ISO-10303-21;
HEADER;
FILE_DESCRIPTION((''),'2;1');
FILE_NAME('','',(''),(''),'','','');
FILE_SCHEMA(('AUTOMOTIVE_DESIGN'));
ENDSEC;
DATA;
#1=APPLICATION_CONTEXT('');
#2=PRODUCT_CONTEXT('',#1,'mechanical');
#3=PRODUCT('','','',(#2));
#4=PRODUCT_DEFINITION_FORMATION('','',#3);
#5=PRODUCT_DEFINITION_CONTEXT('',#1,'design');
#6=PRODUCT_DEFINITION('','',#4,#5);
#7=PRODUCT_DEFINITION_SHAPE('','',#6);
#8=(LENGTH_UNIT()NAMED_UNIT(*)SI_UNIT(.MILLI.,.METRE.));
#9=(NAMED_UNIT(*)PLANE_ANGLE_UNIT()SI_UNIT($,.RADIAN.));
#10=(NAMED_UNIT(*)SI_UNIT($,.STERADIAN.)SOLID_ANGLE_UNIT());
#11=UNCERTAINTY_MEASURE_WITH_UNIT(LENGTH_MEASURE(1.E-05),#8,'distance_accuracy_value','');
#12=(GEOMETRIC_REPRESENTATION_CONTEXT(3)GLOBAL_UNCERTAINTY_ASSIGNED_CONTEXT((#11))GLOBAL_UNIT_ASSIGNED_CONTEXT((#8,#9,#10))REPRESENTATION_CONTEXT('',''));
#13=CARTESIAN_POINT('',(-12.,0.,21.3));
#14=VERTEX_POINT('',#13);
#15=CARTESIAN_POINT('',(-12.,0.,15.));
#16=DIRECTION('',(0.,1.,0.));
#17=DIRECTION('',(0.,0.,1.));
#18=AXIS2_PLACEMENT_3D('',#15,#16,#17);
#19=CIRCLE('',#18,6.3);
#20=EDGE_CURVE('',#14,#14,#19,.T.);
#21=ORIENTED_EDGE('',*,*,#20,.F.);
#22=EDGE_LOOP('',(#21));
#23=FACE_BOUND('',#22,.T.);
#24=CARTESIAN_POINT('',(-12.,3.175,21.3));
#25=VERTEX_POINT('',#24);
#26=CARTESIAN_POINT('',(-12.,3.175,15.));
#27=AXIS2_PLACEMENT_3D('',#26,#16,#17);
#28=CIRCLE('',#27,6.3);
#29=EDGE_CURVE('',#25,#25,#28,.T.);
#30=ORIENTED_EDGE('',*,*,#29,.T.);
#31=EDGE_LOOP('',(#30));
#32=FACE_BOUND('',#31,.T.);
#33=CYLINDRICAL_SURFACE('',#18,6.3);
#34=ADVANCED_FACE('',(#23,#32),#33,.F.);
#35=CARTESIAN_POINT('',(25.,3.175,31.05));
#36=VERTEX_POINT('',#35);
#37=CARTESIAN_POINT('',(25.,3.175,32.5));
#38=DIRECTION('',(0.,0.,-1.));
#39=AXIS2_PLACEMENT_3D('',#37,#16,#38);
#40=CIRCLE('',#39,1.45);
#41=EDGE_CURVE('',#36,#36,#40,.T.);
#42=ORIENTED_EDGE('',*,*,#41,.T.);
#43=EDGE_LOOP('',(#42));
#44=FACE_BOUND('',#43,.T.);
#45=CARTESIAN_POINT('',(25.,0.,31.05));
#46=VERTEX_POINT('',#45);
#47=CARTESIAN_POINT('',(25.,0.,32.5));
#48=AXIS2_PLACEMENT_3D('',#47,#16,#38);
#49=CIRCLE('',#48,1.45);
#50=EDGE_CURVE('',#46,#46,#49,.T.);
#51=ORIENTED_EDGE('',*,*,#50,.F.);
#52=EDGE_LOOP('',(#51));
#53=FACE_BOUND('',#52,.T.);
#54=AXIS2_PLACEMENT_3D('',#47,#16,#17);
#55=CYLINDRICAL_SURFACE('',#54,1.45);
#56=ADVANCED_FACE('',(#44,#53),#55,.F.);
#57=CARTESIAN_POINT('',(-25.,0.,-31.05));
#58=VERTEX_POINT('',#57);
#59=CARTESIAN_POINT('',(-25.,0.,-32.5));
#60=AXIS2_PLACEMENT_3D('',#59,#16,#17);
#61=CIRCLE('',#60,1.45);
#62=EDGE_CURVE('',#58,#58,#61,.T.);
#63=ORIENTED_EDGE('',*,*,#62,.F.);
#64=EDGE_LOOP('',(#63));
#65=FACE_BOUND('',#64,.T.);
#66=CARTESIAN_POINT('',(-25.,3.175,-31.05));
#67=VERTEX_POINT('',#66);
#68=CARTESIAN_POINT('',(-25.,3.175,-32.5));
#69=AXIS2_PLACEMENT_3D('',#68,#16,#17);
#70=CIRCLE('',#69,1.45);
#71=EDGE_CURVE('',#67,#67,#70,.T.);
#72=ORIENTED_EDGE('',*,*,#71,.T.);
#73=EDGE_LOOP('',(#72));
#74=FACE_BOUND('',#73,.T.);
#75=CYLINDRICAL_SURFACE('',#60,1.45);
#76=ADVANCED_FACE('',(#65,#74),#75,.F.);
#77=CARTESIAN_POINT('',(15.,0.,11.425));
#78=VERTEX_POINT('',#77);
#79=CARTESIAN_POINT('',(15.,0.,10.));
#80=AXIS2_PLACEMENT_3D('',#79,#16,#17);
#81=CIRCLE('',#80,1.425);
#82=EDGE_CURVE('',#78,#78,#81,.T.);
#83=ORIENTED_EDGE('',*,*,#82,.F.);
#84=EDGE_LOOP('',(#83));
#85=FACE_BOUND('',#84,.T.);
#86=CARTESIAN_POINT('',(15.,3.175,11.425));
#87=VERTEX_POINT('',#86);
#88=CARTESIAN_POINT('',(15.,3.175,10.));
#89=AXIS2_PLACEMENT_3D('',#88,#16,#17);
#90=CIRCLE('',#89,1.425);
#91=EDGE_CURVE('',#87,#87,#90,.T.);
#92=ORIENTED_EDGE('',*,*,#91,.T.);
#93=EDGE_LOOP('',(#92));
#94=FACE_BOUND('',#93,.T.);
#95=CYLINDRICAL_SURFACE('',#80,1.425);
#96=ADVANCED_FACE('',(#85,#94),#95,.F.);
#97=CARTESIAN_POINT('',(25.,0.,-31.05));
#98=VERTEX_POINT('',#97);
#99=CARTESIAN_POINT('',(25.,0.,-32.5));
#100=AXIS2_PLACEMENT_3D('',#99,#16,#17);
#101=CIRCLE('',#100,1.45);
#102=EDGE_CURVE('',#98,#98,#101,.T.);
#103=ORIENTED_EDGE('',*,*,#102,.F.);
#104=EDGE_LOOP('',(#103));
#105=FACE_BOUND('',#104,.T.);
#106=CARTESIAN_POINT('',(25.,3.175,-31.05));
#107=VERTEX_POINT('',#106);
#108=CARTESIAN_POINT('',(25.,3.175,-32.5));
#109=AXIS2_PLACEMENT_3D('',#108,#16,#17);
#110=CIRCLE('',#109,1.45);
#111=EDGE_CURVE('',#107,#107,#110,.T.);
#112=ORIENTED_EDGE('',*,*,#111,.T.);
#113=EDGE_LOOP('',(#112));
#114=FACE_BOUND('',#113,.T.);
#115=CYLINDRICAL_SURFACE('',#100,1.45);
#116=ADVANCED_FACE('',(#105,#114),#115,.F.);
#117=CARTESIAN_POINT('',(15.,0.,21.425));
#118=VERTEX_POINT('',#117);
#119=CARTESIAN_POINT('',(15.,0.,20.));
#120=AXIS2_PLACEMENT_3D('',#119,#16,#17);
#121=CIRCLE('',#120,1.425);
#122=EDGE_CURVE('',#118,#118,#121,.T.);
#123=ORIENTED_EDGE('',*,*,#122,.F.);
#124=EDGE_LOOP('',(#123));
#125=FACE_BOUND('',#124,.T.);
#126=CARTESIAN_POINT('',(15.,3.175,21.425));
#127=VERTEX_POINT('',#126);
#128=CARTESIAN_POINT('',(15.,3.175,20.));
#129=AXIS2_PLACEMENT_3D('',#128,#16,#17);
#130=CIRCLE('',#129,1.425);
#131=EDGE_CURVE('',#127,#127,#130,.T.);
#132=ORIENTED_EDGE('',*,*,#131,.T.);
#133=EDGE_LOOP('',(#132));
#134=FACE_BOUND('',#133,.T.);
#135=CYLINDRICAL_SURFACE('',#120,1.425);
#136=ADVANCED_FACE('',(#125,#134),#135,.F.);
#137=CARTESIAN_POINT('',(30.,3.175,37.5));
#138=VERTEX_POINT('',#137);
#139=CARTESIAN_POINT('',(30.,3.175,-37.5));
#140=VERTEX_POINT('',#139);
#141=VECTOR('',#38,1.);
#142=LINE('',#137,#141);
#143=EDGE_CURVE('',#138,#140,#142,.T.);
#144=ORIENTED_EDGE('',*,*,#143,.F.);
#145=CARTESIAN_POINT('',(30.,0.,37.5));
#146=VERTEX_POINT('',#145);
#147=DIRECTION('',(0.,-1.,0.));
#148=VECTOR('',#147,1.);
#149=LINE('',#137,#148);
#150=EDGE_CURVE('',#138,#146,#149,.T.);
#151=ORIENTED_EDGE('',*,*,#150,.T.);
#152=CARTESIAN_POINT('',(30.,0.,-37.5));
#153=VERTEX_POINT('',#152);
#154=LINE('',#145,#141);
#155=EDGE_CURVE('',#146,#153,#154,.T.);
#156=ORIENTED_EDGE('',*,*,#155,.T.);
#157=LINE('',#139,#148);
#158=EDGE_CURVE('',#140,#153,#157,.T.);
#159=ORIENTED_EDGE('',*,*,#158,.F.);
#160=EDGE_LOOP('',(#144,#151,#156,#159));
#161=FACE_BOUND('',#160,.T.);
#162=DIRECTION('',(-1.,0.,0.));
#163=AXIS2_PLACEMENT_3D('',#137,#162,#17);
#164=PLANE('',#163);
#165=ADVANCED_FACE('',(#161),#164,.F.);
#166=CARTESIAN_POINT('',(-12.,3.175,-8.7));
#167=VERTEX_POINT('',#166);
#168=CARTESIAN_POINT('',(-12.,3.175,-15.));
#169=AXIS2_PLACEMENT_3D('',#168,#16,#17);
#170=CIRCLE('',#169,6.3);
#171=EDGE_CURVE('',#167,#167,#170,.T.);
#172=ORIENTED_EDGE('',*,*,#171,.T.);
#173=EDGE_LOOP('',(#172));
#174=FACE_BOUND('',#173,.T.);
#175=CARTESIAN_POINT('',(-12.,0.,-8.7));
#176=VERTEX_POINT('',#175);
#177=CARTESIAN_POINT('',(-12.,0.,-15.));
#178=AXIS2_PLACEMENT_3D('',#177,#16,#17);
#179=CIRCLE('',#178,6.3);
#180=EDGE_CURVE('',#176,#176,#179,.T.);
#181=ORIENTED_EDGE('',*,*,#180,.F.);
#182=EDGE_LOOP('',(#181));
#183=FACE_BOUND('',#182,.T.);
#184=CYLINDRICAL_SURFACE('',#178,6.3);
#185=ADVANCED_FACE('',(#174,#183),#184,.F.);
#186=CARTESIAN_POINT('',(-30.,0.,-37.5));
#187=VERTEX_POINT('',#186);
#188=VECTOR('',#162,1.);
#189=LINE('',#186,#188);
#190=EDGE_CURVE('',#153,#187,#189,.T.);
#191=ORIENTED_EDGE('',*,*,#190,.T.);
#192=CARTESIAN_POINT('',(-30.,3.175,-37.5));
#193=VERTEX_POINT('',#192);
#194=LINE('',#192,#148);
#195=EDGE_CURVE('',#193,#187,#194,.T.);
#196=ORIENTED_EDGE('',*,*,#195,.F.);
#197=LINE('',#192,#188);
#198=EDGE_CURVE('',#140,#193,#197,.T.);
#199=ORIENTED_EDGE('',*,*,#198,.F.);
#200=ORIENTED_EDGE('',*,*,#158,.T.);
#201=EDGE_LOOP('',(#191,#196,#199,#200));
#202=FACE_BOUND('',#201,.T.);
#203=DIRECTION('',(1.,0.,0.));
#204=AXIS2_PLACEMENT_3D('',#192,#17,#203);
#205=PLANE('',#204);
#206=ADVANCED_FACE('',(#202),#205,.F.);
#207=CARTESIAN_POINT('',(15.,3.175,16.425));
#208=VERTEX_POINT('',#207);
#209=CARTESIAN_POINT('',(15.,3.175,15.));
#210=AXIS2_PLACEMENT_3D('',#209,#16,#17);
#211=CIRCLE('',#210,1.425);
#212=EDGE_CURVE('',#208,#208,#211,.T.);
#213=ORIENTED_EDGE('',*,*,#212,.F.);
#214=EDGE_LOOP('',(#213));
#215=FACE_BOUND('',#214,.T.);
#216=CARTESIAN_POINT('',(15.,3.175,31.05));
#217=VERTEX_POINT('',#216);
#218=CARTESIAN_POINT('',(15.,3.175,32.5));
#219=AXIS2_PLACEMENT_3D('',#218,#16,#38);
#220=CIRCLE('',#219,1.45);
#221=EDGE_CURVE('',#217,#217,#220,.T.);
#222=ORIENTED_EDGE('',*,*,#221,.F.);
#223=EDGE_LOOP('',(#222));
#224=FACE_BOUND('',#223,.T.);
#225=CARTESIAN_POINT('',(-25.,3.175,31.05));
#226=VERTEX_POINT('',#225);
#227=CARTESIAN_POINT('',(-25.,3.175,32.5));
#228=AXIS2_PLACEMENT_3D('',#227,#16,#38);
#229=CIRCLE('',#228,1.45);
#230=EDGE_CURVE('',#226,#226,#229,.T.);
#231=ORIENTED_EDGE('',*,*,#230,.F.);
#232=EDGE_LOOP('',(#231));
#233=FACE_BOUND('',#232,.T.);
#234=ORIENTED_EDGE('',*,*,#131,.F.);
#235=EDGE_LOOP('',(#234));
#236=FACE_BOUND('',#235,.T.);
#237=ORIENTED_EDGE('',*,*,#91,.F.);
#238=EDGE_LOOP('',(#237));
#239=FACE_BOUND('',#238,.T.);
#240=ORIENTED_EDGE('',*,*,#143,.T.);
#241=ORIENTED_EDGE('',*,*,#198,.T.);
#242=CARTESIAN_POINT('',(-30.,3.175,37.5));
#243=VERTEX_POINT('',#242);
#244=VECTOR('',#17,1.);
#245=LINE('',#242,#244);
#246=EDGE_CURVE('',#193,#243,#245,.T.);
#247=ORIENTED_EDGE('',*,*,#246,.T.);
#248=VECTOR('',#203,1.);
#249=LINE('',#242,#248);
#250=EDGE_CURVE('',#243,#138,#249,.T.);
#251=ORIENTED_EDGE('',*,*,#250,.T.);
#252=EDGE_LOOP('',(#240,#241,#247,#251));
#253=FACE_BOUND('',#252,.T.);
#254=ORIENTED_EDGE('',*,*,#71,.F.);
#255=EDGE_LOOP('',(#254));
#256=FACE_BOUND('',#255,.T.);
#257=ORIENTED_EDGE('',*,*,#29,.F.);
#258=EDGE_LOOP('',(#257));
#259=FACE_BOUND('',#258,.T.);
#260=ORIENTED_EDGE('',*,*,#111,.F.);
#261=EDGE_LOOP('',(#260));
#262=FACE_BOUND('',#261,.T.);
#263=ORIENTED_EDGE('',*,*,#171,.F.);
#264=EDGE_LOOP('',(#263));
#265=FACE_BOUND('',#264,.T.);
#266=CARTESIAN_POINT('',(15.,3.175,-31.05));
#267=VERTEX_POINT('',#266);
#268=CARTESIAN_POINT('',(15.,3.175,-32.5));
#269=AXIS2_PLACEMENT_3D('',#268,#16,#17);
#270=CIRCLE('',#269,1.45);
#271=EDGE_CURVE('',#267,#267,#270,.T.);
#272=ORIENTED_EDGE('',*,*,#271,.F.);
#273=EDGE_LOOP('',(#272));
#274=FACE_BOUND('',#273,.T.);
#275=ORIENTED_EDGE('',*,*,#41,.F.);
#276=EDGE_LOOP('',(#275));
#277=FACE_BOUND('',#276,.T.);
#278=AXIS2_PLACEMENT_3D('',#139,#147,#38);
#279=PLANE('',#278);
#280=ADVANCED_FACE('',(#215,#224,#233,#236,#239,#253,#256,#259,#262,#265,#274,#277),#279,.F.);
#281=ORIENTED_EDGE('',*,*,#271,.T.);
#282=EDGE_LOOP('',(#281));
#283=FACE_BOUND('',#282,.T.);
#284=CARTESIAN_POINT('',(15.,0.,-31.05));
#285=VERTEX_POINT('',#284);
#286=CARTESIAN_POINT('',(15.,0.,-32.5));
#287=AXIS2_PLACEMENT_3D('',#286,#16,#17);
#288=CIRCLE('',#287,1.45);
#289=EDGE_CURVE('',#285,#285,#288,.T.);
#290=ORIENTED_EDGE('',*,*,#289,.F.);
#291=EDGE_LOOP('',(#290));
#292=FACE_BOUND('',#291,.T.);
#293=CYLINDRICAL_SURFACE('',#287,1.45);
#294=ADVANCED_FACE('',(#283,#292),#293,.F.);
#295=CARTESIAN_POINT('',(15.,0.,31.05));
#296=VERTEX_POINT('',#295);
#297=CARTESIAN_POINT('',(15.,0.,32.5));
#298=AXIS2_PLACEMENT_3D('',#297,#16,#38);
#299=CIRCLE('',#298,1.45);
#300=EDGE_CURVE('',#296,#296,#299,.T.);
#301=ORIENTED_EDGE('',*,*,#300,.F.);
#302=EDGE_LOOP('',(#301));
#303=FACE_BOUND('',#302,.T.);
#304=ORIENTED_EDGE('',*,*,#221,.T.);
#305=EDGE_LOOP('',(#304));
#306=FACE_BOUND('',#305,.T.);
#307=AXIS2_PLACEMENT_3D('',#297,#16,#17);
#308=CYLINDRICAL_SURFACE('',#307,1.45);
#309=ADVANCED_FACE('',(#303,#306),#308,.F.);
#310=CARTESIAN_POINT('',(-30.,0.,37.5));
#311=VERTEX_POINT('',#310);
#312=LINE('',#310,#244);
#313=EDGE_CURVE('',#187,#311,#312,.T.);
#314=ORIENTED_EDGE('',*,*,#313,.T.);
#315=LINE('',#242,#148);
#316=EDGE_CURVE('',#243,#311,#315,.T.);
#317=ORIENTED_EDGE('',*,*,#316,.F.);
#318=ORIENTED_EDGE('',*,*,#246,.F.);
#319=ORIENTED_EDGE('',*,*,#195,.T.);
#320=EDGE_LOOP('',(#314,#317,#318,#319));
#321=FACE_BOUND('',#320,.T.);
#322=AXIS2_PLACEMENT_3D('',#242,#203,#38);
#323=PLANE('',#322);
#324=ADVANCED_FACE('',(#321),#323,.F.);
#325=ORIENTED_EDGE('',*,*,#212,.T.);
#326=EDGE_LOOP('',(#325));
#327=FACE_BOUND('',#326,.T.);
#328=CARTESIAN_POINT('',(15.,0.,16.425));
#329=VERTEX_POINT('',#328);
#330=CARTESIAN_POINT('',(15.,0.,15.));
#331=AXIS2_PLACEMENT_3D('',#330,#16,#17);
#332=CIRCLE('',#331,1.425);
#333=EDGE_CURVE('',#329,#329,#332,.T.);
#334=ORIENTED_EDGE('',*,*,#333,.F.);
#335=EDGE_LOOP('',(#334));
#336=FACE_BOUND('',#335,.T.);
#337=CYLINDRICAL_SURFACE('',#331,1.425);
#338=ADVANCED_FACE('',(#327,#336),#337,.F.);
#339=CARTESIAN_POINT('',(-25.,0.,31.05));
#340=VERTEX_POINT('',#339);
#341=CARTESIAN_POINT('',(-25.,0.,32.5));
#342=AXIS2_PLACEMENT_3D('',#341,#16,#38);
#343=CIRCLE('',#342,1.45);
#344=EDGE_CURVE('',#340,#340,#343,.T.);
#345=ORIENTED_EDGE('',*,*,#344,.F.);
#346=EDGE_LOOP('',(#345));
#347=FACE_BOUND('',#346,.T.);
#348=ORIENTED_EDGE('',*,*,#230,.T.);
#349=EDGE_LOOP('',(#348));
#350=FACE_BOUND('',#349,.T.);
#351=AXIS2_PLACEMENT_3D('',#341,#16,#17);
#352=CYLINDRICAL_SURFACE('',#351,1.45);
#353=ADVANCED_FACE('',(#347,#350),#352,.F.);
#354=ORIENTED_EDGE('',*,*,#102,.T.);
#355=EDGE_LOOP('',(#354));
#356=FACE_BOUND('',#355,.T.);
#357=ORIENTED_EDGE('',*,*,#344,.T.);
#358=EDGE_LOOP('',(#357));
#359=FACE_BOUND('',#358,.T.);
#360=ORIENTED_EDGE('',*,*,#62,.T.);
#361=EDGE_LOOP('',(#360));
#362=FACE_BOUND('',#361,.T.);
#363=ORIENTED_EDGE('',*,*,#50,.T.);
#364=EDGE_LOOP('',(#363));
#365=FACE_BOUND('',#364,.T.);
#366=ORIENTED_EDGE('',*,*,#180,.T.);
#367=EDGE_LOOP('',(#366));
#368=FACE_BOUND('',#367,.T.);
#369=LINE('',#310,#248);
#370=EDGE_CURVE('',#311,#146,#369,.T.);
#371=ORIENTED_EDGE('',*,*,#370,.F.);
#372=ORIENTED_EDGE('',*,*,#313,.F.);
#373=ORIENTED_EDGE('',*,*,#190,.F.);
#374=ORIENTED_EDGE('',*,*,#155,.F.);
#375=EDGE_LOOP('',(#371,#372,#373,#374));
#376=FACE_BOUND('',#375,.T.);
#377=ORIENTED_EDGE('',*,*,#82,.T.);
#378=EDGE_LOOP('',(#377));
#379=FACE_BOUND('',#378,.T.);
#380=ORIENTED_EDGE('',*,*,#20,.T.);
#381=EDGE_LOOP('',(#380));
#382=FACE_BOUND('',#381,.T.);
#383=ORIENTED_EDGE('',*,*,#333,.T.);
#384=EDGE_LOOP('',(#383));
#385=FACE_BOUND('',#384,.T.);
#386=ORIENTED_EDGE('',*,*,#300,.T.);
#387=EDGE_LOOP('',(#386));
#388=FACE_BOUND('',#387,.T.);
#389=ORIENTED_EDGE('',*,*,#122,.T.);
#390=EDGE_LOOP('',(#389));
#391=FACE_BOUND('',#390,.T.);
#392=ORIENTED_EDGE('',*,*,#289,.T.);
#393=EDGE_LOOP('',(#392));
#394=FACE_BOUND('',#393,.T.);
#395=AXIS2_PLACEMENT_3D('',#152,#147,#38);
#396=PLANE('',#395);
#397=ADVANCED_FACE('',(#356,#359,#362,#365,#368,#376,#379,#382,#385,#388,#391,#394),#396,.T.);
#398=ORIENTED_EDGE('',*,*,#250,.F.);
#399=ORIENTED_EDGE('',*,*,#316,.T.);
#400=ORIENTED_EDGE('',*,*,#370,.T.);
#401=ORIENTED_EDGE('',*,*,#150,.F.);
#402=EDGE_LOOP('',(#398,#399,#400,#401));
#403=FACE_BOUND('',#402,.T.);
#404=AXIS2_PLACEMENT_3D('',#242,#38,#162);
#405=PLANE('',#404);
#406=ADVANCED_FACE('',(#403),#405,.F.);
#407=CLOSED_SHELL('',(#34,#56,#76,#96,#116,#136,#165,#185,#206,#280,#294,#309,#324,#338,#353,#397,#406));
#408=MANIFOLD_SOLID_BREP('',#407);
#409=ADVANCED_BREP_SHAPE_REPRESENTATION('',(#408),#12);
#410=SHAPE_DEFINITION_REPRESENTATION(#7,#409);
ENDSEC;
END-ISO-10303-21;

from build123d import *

# Parameters (mm, degrees)
SKETCH1_W           = 60
SKETCH1_H           = 75
BOSS_EXTRUDE1_DEPTH = 3.175
SKETCH2_R           = 1.45
CUT_EXTRUDE1_DEPTH  = 4.175
SKETCH3_R           = 6.3
SKETCH3_R_2         = 1.425
CUT_EXTRUDE2_DEPTH  = 4.175


with BuildPart() as part:
    # Sketch1 → Boss-Extrude1 (new body)
    with BuildSketch(Plane(origin=(0, 0, 0), x_dir=(1, 0, 0), z_dir=(0, 1, 0))):
        Rectangle(SKETCH1_W, SKETCH1_H)
    extrude(amount=BOSS_EXTRUDE1_DEPTH)

    # Sketch2 → Cut-Extrude1 (cut, through all)
    with BuildSketch(Plane(origin=(0, 3.175, 0), x_dir=(1, 0, 0), z_dir=(0, 1, 0))):
        with Locations((25, 32.5)):
            Circle(SKETCH2_R)
        with Locations((-25, 32.5)):
            Circle(SKETCH2_R)
        with Locations((15, 32.5)):
            Circle(SKETCH2_R)
        with Locations((25, -32.5)):
            Circle(SKETCH2_R)
        with Locations((15, -32.5)):
            Circle(SKETCH2_R)
        with Locations((-25, -32.5)):
            Circle(SKETCH2_R)
    extrude(amount=-CUT_EXTRUDE1_DEPTH, mode=Mode.SUBTRACT)

    # Sketch3 → Cut-Extrude2 (cut, through all)
    with BuildSketch(Plane(origin=(0, 3.175, 0), x_dir=(-1, 0, 0), z_dir=(0, 1, 0))):
        with Locations((12, -15)):
            Circle(SKETCH3_R)
        with Locations((12, 15)):
            Circle(SKETCH3_R)
        with Locations((-15, 20)):
            Circle(SKETCH3_R_2)
        with Locations((-15, 15)):
            Circle(SKETCH3_R_2)
        with Locations((-15, 10)):
            Circle(SKETCH3_R_2)
    extrude(amount=-CUT_EXTRUDE2_DEPTH, mode=Mode.SUBTRACT)


solid = part.part
